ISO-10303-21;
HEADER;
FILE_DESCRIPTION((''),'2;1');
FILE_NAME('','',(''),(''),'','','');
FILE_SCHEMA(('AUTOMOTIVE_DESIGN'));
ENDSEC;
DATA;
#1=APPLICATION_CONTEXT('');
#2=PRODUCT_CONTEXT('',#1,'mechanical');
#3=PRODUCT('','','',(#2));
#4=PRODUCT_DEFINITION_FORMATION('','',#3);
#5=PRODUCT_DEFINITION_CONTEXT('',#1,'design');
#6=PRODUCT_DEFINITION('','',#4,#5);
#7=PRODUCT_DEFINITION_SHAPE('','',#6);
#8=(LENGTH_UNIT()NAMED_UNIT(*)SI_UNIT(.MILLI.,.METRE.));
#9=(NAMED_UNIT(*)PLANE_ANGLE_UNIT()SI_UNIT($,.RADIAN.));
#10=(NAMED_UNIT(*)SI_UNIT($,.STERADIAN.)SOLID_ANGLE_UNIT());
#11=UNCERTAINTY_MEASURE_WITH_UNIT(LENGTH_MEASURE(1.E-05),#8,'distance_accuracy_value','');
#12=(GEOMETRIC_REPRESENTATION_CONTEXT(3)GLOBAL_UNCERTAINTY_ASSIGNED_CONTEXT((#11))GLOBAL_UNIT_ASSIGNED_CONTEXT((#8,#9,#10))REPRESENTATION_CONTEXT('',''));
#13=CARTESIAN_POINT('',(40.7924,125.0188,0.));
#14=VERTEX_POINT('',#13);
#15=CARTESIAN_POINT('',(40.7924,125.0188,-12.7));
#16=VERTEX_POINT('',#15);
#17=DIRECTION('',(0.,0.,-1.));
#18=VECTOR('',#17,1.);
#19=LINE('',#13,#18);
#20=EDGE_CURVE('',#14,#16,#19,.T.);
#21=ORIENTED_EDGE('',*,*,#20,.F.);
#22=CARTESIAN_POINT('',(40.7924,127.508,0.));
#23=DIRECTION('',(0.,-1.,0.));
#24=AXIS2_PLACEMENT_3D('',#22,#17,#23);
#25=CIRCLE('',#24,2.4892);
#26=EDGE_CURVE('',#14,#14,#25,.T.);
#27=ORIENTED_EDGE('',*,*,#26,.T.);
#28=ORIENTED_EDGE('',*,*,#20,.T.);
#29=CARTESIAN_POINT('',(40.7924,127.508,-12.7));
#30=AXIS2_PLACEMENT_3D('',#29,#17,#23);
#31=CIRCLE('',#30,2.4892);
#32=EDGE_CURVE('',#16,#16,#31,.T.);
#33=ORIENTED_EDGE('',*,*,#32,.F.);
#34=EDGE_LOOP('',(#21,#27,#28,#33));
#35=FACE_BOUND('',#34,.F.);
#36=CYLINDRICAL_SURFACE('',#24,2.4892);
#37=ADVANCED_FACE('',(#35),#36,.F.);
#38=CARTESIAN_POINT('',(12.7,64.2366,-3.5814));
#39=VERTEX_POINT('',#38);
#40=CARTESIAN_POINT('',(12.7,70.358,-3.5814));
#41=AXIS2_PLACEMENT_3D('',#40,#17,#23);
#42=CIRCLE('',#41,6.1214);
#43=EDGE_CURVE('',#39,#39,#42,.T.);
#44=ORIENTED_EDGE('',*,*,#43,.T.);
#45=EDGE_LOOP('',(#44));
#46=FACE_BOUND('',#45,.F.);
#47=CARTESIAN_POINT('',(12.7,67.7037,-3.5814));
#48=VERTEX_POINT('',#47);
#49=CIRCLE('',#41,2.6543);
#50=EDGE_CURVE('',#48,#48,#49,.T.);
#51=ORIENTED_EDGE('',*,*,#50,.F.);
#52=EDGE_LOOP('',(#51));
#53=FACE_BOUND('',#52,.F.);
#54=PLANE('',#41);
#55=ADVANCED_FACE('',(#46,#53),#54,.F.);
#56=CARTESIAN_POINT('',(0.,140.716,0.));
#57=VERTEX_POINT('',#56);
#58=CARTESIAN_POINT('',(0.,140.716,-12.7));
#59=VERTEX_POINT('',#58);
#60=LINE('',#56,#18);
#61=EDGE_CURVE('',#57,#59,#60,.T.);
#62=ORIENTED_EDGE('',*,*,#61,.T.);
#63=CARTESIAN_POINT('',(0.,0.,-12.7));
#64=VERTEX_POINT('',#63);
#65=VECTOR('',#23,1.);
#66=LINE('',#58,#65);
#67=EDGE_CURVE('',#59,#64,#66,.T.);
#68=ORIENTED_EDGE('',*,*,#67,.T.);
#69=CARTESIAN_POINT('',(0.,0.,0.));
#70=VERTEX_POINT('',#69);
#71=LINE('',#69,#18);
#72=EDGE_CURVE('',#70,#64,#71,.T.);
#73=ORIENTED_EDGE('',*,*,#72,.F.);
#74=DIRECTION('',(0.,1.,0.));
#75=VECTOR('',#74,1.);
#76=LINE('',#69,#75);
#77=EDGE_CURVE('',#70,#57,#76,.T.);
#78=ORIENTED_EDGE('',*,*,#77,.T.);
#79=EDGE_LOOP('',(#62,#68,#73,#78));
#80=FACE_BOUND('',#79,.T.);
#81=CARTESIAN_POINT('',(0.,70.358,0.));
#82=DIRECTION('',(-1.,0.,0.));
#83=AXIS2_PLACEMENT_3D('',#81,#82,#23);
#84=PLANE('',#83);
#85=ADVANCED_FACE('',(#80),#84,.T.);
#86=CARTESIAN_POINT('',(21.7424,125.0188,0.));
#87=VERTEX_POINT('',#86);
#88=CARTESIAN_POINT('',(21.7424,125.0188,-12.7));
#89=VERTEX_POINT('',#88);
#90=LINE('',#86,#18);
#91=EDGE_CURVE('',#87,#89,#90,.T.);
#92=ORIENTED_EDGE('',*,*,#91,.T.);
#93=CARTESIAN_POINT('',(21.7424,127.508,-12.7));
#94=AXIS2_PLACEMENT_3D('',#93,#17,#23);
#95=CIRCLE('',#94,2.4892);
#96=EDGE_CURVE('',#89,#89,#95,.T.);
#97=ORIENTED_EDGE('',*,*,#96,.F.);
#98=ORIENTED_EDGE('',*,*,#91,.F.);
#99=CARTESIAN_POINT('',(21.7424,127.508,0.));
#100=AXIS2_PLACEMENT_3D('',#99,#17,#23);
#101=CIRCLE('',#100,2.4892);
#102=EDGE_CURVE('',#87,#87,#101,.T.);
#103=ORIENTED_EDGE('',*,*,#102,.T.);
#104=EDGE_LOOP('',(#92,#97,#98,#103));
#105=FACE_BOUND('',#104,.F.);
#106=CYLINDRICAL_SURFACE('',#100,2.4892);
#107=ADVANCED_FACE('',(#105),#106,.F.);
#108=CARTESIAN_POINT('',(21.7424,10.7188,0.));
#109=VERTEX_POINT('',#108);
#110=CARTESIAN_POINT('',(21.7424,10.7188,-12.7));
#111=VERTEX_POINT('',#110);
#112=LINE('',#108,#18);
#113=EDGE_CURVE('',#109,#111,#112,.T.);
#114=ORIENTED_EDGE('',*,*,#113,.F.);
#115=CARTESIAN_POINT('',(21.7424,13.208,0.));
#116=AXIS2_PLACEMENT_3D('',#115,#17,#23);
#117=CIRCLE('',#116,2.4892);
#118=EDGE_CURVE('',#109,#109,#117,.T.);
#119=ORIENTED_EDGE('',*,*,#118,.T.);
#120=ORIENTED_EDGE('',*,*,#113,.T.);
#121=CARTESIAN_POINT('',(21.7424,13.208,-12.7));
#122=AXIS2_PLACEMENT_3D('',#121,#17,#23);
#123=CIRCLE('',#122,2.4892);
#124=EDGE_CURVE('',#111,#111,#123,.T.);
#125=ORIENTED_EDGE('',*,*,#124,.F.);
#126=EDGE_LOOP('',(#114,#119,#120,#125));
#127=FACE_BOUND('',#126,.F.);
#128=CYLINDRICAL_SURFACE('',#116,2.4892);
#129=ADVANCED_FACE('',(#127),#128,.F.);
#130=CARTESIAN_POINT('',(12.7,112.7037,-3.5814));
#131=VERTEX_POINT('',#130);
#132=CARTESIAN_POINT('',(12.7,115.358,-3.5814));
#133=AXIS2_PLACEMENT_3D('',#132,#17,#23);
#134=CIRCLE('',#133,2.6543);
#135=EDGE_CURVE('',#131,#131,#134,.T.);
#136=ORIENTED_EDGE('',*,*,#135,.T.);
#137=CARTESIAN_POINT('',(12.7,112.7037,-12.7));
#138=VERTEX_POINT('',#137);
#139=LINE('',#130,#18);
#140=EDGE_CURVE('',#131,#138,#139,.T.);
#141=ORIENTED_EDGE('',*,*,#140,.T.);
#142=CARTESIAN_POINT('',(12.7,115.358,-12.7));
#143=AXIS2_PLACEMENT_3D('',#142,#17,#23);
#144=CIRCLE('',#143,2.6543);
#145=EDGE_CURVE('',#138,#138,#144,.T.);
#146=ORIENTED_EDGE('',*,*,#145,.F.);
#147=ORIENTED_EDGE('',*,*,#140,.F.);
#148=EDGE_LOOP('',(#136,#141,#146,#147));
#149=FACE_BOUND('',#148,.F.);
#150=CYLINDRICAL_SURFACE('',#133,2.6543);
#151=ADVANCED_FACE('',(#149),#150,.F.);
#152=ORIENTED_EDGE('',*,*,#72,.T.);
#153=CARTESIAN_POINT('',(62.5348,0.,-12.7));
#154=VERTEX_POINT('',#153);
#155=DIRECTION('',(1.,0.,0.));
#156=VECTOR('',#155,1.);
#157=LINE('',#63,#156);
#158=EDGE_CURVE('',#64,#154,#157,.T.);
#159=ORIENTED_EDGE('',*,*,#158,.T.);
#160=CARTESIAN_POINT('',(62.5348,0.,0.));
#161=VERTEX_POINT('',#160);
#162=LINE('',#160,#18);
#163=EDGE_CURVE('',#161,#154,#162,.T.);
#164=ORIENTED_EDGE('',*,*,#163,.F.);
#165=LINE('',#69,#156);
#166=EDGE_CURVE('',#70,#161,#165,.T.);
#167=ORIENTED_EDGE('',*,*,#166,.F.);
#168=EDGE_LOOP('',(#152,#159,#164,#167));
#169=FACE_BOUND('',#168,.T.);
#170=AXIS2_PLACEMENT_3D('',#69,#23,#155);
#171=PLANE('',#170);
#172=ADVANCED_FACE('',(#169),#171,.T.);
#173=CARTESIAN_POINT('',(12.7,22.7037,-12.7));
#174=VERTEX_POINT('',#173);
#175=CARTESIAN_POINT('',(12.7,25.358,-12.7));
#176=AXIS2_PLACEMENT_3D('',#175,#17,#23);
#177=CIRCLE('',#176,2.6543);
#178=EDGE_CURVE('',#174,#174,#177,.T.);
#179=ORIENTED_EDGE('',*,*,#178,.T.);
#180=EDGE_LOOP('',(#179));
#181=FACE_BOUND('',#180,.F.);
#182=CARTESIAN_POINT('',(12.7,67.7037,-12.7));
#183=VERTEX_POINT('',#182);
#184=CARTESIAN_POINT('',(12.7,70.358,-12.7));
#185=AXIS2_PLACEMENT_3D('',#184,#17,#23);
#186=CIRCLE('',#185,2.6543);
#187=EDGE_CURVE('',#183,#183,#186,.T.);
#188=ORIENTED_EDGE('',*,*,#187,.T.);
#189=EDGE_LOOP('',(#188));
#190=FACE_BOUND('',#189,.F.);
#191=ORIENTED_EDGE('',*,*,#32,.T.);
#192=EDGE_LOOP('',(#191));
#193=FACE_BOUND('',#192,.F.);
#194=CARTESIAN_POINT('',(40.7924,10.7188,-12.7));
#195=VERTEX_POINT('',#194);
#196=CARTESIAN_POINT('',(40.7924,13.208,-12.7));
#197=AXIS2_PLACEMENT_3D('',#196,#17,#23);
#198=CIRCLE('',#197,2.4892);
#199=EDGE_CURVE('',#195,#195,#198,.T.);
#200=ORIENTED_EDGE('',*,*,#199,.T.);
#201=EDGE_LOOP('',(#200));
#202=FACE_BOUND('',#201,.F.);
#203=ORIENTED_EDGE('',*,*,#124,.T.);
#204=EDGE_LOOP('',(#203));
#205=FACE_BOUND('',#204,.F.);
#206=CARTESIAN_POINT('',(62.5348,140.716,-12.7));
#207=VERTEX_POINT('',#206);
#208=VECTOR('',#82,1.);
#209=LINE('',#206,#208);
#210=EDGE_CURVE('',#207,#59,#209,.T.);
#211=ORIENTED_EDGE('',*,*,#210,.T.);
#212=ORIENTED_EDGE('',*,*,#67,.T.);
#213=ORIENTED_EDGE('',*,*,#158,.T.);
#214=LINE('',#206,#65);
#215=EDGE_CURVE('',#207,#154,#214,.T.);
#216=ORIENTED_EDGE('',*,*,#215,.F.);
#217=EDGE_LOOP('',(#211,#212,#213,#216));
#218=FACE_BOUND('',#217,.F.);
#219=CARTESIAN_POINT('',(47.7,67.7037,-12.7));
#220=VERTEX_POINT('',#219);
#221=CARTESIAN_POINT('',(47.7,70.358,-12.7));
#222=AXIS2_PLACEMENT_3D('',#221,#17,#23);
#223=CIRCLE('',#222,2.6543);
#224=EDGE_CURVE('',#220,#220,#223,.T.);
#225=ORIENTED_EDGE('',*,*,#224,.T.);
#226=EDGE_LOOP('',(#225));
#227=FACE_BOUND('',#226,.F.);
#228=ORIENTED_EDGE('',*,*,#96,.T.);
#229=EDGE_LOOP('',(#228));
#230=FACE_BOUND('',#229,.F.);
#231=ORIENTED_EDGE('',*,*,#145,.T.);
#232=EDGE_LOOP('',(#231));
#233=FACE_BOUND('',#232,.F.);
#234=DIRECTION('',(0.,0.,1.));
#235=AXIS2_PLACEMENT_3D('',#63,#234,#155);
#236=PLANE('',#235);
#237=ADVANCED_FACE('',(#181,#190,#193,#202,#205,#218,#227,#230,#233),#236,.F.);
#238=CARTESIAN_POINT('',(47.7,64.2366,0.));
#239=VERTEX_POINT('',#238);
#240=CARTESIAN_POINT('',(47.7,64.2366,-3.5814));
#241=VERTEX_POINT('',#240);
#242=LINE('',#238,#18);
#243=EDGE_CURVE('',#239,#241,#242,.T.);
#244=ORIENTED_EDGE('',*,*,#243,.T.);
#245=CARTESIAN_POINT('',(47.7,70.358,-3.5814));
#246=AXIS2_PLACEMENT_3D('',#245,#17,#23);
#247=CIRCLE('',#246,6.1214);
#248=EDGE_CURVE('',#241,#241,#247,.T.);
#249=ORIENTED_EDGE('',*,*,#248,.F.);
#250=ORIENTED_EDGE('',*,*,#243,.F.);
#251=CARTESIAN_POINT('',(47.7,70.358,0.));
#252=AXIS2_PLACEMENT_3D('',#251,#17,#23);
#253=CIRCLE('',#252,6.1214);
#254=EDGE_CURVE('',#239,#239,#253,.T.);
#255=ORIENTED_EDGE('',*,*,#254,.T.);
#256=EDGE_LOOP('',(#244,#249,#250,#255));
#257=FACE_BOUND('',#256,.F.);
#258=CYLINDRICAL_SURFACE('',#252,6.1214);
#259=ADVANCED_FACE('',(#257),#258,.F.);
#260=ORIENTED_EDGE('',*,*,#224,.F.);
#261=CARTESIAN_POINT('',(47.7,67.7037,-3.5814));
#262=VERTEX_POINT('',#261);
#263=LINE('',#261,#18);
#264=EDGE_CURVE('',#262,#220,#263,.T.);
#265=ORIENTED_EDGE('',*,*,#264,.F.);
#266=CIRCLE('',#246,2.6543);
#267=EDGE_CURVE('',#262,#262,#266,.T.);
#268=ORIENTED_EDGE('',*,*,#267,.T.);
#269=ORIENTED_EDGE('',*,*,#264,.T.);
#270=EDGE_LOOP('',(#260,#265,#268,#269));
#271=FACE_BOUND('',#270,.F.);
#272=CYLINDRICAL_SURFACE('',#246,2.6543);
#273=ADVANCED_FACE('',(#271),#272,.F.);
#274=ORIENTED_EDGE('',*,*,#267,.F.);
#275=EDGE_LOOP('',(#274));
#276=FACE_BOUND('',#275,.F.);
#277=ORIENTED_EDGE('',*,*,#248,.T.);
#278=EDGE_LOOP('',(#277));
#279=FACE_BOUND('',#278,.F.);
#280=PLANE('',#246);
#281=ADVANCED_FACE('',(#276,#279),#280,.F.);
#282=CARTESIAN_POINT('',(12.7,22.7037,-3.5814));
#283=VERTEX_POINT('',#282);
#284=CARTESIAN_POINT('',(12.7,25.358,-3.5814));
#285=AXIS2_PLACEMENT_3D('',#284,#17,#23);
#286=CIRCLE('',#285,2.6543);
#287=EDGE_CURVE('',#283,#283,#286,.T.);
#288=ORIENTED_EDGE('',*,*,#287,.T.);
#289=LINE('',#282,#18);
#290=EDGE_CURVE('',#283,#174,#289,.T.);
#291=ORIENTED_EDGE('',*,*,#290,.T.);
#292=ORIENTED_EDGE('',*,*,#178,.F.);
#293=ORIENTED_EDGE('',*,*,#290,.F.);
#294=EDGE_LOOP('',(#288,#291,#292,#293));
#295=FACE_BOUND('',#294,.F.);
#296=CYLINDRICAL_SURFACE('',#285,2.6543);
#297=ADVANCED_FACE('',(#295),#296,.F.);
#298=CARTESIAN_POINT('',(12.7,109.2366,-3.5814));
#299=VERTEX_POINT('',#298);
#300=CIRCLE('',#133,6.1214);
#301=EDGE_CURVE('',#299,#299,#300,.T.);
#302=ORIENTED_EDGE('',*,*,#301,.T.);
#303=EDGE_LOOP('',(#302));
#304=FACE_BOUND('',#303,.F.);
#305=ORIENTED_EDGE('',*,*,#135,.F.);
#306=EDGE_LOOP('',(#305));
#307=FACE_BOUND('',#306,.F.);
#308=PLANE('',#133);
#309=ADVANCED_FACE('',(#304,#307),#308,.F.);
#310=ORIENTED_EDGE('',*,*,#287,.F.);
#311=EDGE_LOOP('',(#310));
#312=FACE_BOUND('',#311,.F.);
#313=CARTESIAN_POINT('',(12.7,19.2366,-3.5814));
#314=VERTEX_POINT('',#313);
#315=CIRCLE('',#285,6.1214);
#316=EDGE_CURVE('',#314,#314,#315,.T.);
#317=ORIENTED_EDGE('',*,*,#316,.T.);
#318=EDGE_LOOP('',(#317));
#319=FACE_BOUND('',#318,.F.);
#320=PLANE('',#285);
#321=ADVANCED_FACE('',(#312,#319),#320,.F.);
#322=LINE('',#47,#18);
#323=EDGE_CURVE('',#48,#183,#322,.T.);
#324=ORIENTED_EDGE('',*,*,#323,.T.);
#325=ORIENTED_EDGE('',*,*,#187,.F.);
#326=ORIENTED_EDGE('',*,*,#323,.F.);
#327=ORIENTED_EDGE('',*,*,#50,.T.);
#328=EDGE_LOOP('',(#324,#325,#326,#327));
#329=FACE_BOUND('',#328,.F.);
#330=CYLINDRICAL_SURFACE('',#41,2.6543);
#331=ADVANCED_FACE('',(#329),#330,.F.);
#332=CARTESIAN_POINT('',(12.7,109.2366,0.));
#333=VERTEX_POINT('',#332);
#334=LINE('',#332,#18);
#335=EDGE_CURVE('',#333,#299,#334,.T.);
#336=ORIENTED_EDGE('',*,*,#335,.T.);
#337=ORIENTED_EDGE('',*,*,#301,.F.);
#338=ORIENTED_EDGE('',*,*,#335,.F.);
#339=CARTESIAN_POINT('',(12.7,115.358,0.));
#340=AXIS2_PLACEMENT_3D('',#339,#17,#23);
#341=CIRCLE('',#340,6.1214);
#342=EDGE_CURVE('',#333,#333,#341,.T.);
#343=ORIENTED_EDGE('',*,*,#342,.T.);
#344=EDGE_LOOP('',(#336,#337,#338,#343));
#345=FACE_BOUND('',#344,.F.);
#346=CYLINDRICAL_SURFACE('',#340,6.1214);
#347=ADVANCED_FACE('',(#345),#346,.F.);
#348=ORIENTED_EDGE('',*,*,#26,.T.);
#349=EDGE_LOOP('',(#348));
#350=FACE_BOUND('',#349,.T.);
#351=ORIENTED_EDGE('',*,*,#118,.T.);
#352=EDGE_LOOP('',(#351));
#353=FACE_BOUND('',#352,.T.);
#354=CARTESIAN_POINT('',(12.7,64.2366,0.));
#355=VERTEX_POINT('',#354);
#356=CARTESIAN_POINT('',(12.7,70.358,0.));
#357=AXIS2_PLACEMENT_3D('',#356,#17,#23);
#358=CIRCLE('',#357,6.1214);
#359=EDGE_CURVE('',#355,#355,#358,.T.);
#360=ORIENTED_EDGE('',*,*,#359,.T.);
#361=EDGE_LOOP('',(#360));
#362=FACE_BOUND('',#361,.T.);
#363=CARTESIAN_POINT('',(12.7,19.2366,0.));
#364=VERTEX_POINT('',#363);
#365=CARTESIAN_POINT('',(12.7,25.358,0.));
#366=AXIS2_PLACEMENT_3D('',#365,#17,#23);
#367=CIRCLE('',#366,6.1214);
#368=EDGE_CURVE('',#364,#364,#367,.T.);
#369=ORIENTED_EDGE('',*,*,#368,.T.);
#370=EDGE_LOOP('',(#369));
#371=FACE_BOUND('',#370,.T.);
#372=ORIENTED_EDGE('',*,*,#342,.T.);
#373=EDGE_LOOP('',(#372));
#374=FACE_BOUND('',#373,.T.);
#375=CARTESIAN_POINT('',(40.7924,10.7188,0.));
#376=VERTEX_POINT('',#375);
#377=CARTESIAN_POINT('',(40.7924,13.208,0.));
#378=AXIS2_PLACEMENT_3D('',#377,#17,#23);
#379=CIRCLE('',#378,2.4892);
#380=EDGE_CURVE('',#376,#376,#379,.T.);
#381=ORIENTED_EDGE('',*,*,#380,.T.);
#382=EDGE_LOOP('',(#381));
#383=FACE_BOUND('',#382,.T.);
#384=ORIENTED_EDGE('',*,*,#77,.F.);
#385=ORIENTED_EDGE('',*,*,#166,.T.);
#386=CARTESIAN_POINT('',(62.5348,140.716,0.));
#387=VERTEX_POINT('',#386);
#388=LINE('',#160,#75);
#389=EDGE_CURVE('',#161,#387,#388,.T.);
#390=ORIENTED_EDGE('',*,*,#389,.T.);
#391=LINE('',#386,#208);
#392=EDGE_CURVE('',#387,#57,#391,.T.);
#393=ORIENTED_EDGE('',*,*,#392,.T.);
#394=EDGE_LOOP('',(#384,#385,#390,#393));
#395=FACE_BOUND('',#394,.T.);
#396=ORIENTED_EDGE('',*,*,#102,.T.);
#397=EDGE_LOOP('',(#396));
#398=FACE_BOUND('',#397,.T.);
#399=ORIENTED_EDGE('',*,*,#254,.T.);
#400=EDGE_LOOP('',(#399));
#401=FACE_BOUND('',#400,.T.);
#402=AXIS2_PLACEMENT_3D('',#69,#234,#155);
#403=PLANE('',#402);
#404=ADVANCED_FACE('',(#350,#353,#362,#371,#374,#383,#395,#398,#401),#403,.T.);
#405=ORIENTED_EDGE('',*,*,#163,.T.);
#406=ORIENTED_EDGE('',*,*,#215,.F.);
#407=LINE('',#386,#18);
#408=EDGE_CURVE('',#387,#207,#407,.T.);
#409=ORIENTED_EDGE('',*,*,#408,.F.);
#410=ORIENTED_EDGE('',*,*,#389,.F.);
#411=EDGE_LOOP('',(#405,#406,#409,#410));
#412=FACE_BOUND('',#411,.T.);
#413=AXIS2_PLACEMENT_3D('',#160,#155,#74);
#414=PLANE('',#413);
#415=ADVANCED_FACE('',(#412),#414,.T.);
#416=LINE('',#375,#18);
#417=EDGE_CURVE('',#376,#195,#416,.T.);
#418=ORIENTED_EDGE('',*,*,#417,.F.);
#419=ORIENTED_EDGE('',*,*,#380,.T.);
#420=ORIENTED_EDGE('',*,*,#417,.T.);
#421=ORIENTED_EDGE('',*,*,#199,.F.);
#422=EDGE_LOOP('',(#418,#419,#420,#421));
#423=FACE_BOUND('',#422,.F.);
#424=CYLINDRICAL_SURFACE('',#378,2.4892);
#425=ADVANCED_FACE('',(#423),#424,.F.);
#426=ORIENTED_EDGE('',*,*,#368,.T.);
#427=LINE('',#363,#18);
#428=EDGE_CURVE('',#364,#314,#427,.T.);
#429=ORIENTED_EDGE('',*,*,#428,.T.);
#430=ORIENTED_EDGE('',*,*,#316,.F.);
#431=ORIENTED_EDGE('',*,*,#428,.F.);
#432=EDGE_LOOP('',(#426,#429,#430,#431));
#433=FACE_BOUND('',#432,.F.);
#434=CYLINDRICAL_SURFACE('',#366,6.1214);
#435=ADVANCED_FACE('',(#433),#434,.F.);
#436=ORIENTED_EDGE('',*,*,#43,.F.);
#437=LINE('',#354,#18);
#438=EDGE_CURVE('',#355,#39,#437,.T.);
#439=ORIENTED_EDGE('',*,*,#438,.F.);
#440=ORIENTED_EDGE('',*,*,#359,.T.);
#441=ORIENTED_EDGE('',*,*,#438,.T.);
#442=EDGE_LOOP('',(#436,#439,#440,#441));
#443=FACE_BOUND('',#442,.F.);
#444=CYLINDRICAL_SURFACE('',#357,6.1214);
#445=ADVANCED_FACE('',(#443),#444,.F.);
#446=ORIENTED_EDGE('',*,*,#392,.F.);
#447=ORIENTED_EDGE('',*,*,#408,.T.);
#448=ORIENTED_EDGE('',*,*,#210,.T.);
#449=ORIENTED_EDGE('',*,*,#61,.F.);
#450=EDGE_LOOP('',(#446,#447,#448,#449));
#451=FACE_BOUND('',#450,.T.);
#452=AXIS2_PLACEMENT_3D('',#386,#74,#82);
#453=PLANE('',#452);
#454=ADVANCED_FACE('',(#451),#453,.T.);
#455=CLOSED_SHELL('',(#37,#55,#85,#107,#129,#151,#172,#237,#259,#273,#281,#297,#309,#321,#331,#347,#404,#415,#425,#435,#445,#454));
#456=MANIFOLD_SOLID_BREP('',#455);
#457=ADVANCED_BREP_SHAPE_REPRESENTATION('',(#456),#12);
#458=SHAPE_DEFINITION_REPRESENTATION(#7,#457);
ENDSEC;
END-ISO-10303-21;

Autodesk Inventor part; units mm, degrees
ref_plane "YZ Plane" through (0, 0, 0) normal (1, 0, 0) x (0, 1, 0)
ref_plane "XZ Plane" through (0, 0, 0) normal (0, 1, 0) x (-1, 0, 0)
ref_plane "XY Plane" through (0, 0, 0) normal (0, 0, 1) x (1, 0, 0)
sketch "Sketch1" plane through (0, 0, 0) normal (0, 0, 1) x (1, 0, 0)
  line L0 (0, 0) -> (62.5348, 0)
  line L1 (62.5348, 0) -> (62.5348, 140.716)
  line L2 (62.5348, 140.716) -> (0, 140.716)
  line L3 (0, 140.716) -> (0, 0)
  line L4 (0, 70.358) -> (62.5348, 70.358)
  circle A0 centre (12.7, 70.358) radius 2.5
  circle A1 centre (12.7, 115.358) radius 2.5
  circle A2 centre (12.7, 25.358) radius 2.5
  circle A3 centre (21.7424, 127.508) radius 3.175
  circle A4 centre (21.7424, 13.208) radius 3.175
  circle A5 centre (40.7924, 127.508) radius 3.175
  circle A6 centre (40.7924, 13.208) radius 3.175
  circle A7 centre (47.7, 70.358) radius 2.5
  dimension "d0" = 140.716
  dimension "d1" = 5
  dimension "d2" = 12.7
  dimension "d3" = 45
  dimension "d5" = 6.35
  dimension "d6" = 114.3
  dimension "d10" = 19.05
  dimension "d16" = 35
  dimension "d33" = 62.5348
  dimension "d34" = 21.7424
  dimension "d35" = 21.7424
extrude "Extrusion1" add sketch "Sketch1" against normal blind 12.7 contours L3 L4 A0 A7 L1 L0 | L3 L2 L1 L4 A7 A0 | A0 L4 | L4 A0 | A7 L4 | L4 A7 | A1 | A2 | A3 | A4 | A5 | A6
hole "Hole1" at (12.7, 115.358, 0) at (12.7, 70.358, 0) at (12.7, 25.358, 0) at (47.7, 70.358, 0) direction (0, 0, -1) diameter 5.3086 end through all counterbore diameter 12.2428 counterbore depth 3.5814 clearance for "Hex Head Bolt" size "M5" standard "Ansi Metric M Profile"
hole "Hole2" at (21.7424, 13.208, 0) at (40.7924, 13.208, 0) at (40.7924, 127.508, 0) at (21.7424, 127.508, 0) direction (0, 0, -1) diameter 4.9784 end through all thread size "1/4-20 UNC" class "2B" standard "ANSI Unified Screw Threads"
equation "\"d34\" = d35"
properties part number "Fixed Side Adapter Plate"
